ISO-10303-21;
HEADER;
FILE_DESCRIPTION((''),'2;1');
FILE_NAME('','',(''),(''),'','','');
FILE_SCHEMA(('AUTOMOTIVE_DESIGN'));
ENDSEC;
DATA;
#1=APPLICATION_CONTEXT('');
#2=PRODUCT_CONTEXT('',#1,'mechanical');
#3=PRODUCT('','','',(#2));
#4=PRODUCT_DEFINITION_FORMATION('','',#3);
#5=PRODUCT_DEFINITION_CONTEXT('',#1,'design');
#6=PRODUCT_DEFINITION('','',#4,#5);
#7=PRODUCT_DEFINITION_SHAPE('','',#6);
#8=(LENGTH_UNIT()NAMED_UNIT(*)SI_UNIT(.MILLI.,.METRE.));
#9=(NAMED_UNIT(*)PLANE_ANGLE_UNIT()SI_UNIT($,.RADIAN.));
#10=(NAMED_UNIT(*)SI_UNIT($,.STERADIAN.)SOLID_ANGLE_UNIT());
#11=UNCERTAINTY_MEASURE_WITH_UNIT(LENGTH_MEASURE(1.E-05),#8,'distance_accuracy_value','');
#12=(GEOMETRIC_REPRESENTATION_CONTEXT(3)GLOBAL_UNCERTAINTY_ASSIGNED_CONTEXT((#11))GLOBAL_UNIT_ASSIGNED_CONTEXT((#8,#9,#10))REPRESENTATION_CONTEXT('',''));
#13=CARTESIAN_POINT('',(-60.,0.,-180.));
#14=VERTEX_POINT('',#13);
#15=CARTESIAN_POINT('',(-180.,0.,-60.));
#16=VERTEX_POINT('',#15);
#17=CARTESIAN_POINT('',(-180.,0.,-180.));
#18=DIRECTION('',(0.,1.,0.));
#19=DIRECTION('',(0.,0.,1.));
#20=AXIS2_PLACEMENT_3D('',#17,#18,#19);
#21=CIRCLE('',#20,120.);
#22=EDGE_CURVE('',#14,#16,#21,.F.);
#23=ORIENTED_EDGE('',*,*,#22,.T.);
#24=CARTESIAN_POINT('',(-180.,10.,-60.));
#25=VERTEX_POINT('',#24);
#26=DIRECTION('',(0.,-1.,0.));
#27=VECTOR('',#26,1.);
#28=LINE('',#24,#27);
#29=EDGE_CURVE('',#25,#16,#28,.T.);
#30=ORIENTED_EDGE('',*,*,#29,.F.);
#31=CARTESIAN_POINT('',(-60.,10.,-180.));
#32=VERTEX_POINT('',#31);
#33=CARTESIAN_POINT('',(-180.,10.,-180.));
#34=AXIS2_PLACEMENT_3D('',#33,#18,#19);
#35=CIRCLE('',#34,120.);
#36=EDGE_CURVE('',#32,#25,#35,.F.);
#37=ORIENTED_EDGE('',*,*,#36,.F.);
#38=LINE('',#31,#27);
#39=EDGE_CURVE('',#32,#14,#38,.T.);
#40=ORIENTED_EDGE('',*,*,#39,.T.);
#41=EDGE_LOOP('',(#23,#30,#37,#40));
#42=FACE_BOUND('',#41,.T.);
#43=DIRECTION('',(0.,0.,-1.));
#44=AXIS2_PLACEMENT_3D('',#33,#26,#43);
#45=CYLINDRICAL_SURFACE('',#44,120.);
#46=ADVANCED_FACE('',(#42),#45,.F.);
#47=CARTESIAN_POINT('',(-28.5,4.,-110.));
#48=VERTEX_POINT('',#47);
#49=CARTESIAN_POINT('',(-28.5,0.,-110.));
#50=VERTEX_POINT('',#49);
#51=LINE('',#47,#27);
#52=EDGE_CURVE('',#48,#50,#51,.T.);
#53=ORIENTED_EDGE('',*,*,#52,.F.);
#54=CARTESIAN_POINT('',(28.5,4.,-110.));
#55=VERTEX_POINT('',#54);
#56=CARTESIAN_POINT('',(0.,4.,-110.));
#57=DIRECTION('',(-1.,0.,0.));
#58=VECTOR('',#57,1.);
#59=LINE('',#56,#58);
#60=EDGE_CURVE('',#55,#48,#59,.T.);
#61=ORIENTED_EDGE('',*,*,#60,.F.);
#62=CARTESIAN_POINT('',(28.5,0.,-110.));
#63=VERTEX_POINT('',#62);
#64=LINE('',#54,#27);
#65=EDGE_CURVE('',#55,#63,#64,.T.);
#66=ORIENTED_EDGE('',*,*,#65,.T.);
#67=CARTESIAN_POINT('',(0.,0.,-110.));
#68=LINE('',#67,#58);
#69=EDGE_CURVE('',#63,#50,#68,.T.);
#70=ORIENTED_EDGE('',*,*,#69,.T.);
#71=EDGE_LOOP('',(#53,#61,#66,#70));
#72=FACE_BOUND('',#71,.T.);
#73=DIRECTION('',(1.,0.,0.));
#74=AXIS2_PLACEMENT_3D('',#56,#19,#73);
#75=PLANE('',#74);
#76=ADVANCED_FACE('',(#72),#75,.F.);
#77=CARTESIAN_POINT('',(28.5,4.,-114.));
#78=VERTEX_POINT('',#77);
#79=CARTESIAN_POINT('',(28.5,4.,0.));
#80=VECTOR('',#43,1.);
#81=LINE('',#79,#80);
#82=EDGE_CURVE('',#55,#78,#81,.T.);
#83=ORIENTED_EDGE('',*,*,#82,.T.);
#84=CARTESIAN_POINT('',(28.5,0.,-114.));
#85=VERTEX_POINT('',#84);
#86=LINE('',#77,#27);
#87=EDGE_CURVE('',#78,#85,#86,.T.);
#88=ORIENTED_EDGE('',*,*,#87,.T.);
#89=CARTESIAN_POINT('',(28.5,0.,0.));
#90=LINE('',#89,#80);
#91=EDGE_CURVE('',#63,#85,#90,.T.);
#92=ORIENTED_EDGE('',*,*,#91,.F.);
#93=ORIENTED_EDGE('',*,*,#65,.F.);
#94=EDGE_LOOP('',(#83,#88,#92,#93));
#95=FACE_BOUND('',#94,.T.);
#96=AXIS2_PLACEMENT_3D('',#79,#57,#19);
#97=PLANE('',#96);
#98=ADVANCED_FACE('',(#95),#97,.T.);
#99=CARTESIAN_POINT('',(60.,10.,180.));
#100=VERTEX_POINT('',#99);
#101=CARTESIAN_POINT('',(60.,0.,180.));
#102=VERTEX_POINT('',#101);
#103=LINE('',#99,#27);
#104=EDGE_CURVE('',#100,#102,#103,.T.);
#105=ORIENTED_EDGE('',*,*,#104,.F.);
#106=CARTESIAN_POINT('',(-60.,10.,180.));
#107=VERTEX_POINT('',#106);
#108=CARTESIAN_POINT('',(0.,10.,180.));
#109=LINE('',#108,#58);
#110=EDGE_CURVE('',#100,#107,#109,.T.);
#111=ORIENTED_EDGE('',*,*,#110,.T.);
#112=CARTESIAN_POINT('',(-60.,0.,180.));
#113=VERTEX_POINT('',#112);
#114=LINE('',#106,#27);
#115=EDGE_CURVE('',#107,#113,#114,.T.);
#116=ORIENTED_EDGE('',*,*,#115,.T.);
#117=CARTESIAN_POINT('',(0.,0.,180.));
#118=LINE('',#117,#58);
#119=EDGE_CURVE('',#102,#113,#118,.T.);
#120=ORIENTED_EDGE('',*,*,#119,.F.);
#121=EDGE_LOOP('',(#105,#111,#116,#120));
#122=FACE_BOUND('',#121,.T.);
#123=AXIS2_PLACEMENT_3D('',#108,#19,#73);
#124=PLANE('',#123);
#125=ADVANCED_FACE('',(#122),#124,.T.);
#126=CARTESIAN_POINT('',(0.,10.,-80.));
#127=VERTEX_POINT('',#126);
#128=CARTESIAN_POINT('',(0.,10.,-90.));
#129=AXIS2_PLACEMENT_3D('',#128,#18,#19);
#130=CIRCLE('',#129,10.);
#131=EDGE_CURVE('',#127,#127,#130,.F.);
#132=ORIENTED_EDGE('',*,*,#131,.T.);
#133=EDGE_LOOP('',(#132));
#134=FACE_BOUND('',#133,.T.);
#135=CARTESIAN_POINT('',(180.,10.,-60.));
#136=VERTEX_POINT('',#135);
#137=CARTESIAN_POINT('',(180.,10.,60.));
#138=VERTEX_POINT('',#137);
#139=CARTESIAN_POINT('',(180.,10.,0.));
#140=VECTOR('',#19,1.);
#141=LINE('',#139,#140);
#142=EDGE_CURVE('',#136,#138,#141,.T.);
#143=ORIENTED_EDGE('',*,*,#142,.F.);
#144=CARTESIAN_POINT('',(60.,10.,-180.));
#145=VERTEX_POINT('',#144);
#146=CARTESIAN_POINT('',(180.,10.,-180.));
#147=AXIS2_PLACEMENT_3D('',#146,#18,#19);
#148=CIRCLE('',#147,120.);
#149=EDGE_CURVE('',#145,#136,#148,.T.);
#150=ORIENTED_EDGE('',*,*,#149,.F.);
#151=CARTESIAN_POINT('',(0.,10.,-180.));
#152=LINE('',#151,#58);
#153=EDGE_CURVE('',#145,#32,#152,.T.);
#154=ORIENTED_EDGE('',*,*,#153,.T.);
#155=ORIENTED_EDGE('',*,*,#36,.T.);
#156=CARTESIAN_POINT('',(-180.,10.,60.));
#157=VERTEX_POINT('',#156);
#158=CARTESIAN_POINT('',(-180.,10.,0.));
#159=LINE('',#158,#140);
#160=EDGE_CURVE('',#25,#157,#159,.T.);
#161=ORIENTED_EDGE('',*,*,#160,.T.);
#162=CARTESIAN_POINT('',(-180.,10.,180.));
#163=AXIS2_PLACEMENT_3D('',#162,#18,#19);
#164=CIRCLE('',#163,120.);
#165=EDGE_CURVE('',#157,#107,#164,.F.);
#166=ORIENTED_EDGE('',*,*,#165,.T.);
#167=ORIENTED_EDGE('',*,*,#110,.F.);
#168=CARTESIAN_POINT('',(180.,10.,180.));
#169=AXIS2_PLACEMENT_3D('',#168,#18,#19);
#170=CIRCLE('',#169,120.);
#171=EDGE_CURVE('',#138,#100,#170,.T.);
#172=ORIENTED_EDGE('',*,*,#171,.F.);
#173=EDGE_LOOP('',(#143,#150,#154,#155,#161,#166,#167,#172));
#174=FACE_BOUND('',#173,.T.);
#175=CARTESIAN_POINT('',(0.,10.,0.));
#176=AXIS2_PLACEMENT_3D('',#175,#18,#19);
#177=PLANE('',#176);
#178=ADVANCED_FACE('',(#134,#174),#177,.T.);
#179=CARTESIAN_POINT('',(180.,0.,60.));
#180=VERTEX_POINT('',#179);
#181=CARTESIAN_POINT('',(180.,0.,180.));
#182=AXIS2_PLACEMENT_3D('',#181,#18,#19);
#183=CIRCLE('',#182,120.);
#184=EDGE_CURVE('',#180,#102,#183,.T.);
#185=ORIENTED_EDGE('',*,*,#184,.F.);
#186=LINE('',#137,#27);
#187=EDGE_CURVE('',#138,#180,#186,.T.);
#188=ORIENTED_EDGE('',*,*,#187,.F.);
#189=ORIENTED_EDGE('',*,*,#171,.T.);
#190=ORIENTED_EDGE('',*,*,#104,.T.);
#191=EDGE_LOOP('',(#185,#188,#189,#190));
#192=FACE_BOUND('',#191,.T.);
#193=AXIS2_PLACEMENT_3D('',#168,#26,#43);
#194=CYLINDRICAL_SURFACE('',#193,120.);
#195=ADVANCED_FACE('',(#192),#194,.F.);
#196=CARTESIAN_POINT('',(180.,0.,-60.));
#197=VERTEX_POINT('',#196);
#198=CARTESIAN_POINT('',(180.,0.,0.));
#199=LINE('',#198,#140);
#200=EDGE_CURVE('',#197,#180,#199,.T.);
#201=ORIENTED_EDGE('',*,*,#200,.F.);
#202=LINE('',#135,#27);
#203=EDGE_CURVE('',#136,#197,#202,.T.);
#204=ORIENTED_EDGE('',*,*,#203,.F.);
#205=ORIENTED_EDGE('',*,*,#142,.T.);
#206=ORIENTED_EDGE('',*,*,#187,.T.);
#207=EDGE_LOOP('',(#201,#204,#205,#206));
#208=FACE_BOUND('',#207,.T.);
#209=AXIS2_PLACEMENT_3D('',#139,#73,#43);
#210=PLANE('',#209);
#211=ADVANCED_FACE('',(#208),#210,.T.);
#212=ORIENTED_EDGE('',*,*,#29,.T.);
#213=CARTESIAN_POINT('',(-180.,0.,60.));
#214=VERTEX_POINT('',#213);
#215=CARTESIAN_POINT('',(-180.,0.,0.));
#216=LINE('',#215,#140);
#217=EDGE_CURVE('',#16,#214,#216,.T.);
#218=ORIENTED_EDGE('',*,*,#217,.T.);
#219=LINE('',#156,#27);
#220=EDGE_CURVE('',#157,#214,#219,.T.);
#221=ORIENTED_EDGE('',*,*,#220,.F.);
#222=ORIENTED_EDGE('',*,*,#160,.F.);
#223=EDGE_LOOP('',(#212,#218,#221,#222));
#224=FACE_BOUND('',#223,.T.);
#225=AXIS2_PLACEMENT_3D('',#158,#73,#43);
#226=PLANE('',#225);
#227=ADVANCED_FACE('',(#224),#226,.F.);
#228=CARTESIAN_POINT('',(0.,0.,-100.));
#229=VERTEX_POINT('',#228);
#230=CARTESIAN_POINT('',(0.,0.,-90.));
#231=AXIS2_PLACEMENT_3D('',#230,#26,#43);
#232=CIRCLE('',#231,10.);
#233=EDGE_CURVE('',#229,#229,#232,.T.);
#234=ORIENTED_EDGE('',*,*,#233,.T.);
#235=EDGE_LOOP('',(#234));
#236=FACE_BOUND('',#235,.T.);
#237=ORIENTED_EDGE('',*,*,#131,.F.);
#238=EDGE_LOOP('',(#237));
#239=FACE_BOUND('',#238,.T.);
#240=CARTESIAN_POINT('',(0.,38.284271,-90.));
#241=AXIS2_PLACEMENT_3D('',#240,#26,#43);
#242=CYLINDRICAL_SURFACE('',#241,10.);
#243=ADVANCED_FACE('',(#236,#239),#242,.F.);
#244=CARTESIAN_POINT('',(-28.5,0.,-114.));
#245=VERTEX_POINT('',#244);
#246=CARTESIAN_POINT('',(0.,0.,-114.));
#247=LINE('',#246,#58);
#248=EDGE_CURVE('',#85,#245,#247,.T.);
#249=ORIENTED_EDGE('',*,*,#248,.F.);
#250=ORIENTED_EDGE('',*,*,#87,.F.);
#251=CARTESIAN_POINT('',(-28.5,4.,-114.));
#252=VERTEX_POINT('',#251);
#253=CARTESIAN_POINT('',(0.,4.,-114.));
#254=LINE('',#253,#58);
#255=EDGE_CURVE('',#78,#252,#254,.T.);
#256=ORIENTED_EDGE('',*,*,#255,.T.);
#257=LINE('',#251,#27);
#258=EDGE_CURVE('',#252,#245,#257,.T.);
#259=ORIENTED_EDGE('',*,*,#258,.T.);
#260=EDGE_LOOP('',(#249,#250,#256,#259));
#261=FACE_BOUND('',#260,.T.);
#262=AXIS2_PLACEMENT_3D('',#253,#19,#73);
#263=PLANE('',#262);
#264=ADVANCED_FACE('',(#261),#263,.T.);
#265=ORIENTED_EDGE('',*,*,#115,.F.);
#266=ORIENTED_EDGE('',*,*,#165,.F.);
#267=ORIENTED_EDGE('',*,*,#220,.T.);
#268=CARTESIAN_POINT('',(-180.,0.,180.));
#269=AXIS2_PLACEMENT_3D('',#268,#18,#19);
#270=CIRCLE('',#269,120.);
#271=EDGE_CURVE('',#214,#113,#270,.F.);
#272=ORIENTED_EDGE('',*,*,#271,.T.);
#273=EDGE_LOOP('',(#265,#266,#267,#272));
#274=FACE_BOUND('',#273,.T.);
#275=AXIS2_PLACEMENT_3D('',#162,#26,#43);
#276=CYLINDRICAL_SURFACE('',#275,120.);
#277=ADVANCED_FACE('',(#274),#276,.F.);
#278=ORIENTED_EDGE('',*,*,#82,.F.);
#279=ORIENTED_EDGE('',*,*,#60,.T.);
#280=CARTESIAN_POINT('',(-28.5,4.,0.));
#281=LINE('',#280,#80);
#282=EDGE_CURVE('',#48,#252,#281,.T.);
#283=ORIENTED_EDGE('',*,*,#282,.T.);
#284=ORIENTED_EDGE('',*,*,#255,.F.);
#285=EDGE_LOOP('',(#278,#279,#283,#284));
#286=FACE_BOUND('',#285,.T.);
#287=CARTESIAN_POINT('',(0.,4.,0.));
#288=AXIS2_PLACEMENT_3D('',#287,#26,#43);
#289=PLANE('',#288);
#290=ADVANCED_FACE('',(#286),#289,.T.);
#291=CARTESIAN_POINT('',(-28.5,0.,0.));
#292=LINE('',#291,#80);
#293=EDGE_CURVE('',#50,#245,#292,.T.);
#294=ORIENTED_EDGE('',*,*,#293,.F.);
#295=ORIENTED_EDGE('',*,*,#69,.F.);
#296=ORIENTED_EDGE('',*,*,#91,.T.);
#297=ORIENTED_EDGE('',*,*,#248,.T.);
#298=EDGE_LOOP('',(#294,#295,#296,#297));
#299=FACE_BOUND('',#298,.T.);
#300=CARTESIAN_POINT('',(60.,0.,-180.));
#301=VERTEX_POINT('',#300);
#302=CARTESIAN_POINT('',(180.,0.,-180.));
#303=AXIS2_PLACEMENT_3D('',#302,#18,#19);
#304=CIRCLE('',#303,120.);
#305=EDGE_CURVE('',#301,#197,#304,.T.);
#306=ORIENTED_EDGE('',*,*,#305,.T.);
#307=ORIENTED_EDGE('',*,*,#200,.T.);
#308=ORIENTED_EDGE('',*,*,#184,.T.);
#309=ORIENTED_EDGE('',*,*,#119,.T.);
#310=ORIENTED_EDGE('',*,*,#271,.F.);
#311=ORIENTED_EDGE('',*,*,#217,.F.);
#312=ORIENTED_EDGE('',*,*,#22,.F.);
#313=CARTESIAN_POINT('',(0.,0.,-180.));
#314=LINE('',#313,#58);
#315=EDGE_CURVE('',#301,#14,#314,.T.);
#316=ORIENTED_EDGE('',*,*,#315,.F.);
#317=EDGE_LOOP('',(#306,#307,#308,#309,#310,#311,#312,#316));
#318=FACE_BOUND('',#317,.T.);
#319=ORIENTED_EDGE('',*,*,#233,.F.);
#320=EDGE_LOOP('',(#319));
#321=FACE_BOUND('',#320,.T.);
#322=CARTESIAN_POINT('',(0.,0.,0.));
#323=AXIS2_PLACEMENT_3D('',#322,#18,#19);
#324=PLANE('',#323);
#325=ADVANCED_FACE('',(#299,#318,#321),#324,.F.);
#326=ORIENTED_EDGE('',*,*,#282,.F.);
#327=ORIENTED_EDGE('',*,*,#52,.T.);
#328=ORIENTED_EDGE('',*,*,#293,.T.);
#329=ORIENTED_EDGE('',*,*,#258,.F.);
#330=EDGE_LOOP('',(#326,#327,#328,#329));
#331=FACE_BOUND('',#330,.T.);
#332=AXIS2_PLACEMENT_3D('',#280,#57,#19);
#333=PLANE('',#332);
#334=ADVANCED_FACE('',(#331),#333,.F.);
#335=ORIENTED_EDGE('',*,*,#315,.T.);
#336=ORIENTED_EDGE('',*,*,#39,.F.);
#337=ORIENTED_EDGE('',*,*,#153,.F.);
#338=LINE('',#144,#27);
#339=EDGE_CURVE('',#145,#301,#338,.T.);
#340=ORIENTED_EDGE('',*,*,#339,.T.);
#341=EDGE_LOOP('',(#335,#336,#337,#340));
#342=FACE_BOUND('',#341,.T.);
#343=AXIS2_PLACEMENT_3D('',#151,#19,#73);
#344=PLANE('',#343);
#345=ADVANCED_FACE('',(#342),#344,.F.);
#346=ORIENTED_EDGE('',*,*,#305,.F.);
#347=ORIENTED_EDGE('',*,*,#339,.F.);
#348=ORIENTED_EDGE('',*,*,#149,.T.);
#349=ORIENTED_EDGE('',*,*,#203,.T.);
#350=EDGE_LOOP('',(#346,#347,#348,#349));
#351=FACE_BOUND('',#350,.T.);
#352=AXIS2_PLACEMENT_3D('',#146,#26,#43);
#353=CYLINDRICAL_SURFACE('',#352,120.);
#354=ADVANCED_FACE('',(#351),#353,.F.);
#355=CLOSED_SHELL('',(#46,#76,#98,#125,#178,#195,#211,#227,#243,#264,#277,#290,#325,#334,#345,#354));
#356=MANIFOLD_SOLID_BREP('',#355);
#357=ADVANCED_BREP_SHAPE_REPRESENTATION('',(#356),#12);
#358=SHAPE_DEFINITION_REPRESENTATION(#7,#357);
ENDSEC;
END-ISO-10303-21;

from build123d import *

# Parameters (mm, degrees)
BOSS_EXTRUDE1_DEPTH = 10
SKETCH2_R           = 10
CUT_EXTRUDE1_DEPTH  = 10
CUT_EXTRUDE3_DEPTH  = 4


with BuildPart() as part:
    # Sketch1 → Boss-Extrude1 (new body)
    with BuildSketch(Plane(origin=(0, 0, 0), x_dir=(1, 0, 0), z_dir=(0, 1, 0))):
        Polygon((60, -60), (60, -180), (-60, -180), (-60, -60), (-180, -60), (-180, 60), (-60, 60), (-60, 180), (60, 180), (60, 60), (180, 60), (180, -60), align=None)
        with BuildLine():
            Line((-60, 180), (-60, 60))
            Line((-60, 60), (-180, 60))
            ThreePointArc((-180, 60), (-95.147186258, 95.147186258), (-60, 180))
        make_face()
        with BuildLine():
            ThreePointArc((60, 180), (95.147186258, 95.147186258), (180, 60))
            Line((180, 60), (60, 60))
            Line((60, 60), (60, 180))
        make_face()
        with BuildLine():
            ThreePointArc((180, -60), (95.147186258, -95.147186258), (60, -180))
            Line((60, -180), (60, -60))
            Line((60, -60), (180, -60))
        make_face()
        with BuildLine():
            Line((-180, -60), (-60, -60))
            Line((-60, -60), (-60, -180))
            ThreePointArc((-60, -180), (-95.147186258, -95.147186258), (-180, -60))
        make_face()
    extrude(amount=BOSS_EXTRUDE1_DEPTH)

    # Sketch2 → Cut-Extrude1 (cut)
    with BuildSketch(Plane.XZ):
        with Locations((0, -90)):
            Circle(SKETCH2_R)
    extrude(amount=-CUT_EXTRUDE1_DEPTH, mode=Mode.SUBTRACT)

    # Sketch5 → Cut-Extrude3 (cut)
    with BuildSketch(Plane.XZ):
        Polygon((24.5, -110), (-24.5, -110), (-28.5, -110), (-28.5, -114), (28.5, -114), (28.5, -110), align=None)
    extrude(amount=-CUT_EXTRUDE3_DEPTH, mode=Mode.SUBTRACT)


solid = part.part
